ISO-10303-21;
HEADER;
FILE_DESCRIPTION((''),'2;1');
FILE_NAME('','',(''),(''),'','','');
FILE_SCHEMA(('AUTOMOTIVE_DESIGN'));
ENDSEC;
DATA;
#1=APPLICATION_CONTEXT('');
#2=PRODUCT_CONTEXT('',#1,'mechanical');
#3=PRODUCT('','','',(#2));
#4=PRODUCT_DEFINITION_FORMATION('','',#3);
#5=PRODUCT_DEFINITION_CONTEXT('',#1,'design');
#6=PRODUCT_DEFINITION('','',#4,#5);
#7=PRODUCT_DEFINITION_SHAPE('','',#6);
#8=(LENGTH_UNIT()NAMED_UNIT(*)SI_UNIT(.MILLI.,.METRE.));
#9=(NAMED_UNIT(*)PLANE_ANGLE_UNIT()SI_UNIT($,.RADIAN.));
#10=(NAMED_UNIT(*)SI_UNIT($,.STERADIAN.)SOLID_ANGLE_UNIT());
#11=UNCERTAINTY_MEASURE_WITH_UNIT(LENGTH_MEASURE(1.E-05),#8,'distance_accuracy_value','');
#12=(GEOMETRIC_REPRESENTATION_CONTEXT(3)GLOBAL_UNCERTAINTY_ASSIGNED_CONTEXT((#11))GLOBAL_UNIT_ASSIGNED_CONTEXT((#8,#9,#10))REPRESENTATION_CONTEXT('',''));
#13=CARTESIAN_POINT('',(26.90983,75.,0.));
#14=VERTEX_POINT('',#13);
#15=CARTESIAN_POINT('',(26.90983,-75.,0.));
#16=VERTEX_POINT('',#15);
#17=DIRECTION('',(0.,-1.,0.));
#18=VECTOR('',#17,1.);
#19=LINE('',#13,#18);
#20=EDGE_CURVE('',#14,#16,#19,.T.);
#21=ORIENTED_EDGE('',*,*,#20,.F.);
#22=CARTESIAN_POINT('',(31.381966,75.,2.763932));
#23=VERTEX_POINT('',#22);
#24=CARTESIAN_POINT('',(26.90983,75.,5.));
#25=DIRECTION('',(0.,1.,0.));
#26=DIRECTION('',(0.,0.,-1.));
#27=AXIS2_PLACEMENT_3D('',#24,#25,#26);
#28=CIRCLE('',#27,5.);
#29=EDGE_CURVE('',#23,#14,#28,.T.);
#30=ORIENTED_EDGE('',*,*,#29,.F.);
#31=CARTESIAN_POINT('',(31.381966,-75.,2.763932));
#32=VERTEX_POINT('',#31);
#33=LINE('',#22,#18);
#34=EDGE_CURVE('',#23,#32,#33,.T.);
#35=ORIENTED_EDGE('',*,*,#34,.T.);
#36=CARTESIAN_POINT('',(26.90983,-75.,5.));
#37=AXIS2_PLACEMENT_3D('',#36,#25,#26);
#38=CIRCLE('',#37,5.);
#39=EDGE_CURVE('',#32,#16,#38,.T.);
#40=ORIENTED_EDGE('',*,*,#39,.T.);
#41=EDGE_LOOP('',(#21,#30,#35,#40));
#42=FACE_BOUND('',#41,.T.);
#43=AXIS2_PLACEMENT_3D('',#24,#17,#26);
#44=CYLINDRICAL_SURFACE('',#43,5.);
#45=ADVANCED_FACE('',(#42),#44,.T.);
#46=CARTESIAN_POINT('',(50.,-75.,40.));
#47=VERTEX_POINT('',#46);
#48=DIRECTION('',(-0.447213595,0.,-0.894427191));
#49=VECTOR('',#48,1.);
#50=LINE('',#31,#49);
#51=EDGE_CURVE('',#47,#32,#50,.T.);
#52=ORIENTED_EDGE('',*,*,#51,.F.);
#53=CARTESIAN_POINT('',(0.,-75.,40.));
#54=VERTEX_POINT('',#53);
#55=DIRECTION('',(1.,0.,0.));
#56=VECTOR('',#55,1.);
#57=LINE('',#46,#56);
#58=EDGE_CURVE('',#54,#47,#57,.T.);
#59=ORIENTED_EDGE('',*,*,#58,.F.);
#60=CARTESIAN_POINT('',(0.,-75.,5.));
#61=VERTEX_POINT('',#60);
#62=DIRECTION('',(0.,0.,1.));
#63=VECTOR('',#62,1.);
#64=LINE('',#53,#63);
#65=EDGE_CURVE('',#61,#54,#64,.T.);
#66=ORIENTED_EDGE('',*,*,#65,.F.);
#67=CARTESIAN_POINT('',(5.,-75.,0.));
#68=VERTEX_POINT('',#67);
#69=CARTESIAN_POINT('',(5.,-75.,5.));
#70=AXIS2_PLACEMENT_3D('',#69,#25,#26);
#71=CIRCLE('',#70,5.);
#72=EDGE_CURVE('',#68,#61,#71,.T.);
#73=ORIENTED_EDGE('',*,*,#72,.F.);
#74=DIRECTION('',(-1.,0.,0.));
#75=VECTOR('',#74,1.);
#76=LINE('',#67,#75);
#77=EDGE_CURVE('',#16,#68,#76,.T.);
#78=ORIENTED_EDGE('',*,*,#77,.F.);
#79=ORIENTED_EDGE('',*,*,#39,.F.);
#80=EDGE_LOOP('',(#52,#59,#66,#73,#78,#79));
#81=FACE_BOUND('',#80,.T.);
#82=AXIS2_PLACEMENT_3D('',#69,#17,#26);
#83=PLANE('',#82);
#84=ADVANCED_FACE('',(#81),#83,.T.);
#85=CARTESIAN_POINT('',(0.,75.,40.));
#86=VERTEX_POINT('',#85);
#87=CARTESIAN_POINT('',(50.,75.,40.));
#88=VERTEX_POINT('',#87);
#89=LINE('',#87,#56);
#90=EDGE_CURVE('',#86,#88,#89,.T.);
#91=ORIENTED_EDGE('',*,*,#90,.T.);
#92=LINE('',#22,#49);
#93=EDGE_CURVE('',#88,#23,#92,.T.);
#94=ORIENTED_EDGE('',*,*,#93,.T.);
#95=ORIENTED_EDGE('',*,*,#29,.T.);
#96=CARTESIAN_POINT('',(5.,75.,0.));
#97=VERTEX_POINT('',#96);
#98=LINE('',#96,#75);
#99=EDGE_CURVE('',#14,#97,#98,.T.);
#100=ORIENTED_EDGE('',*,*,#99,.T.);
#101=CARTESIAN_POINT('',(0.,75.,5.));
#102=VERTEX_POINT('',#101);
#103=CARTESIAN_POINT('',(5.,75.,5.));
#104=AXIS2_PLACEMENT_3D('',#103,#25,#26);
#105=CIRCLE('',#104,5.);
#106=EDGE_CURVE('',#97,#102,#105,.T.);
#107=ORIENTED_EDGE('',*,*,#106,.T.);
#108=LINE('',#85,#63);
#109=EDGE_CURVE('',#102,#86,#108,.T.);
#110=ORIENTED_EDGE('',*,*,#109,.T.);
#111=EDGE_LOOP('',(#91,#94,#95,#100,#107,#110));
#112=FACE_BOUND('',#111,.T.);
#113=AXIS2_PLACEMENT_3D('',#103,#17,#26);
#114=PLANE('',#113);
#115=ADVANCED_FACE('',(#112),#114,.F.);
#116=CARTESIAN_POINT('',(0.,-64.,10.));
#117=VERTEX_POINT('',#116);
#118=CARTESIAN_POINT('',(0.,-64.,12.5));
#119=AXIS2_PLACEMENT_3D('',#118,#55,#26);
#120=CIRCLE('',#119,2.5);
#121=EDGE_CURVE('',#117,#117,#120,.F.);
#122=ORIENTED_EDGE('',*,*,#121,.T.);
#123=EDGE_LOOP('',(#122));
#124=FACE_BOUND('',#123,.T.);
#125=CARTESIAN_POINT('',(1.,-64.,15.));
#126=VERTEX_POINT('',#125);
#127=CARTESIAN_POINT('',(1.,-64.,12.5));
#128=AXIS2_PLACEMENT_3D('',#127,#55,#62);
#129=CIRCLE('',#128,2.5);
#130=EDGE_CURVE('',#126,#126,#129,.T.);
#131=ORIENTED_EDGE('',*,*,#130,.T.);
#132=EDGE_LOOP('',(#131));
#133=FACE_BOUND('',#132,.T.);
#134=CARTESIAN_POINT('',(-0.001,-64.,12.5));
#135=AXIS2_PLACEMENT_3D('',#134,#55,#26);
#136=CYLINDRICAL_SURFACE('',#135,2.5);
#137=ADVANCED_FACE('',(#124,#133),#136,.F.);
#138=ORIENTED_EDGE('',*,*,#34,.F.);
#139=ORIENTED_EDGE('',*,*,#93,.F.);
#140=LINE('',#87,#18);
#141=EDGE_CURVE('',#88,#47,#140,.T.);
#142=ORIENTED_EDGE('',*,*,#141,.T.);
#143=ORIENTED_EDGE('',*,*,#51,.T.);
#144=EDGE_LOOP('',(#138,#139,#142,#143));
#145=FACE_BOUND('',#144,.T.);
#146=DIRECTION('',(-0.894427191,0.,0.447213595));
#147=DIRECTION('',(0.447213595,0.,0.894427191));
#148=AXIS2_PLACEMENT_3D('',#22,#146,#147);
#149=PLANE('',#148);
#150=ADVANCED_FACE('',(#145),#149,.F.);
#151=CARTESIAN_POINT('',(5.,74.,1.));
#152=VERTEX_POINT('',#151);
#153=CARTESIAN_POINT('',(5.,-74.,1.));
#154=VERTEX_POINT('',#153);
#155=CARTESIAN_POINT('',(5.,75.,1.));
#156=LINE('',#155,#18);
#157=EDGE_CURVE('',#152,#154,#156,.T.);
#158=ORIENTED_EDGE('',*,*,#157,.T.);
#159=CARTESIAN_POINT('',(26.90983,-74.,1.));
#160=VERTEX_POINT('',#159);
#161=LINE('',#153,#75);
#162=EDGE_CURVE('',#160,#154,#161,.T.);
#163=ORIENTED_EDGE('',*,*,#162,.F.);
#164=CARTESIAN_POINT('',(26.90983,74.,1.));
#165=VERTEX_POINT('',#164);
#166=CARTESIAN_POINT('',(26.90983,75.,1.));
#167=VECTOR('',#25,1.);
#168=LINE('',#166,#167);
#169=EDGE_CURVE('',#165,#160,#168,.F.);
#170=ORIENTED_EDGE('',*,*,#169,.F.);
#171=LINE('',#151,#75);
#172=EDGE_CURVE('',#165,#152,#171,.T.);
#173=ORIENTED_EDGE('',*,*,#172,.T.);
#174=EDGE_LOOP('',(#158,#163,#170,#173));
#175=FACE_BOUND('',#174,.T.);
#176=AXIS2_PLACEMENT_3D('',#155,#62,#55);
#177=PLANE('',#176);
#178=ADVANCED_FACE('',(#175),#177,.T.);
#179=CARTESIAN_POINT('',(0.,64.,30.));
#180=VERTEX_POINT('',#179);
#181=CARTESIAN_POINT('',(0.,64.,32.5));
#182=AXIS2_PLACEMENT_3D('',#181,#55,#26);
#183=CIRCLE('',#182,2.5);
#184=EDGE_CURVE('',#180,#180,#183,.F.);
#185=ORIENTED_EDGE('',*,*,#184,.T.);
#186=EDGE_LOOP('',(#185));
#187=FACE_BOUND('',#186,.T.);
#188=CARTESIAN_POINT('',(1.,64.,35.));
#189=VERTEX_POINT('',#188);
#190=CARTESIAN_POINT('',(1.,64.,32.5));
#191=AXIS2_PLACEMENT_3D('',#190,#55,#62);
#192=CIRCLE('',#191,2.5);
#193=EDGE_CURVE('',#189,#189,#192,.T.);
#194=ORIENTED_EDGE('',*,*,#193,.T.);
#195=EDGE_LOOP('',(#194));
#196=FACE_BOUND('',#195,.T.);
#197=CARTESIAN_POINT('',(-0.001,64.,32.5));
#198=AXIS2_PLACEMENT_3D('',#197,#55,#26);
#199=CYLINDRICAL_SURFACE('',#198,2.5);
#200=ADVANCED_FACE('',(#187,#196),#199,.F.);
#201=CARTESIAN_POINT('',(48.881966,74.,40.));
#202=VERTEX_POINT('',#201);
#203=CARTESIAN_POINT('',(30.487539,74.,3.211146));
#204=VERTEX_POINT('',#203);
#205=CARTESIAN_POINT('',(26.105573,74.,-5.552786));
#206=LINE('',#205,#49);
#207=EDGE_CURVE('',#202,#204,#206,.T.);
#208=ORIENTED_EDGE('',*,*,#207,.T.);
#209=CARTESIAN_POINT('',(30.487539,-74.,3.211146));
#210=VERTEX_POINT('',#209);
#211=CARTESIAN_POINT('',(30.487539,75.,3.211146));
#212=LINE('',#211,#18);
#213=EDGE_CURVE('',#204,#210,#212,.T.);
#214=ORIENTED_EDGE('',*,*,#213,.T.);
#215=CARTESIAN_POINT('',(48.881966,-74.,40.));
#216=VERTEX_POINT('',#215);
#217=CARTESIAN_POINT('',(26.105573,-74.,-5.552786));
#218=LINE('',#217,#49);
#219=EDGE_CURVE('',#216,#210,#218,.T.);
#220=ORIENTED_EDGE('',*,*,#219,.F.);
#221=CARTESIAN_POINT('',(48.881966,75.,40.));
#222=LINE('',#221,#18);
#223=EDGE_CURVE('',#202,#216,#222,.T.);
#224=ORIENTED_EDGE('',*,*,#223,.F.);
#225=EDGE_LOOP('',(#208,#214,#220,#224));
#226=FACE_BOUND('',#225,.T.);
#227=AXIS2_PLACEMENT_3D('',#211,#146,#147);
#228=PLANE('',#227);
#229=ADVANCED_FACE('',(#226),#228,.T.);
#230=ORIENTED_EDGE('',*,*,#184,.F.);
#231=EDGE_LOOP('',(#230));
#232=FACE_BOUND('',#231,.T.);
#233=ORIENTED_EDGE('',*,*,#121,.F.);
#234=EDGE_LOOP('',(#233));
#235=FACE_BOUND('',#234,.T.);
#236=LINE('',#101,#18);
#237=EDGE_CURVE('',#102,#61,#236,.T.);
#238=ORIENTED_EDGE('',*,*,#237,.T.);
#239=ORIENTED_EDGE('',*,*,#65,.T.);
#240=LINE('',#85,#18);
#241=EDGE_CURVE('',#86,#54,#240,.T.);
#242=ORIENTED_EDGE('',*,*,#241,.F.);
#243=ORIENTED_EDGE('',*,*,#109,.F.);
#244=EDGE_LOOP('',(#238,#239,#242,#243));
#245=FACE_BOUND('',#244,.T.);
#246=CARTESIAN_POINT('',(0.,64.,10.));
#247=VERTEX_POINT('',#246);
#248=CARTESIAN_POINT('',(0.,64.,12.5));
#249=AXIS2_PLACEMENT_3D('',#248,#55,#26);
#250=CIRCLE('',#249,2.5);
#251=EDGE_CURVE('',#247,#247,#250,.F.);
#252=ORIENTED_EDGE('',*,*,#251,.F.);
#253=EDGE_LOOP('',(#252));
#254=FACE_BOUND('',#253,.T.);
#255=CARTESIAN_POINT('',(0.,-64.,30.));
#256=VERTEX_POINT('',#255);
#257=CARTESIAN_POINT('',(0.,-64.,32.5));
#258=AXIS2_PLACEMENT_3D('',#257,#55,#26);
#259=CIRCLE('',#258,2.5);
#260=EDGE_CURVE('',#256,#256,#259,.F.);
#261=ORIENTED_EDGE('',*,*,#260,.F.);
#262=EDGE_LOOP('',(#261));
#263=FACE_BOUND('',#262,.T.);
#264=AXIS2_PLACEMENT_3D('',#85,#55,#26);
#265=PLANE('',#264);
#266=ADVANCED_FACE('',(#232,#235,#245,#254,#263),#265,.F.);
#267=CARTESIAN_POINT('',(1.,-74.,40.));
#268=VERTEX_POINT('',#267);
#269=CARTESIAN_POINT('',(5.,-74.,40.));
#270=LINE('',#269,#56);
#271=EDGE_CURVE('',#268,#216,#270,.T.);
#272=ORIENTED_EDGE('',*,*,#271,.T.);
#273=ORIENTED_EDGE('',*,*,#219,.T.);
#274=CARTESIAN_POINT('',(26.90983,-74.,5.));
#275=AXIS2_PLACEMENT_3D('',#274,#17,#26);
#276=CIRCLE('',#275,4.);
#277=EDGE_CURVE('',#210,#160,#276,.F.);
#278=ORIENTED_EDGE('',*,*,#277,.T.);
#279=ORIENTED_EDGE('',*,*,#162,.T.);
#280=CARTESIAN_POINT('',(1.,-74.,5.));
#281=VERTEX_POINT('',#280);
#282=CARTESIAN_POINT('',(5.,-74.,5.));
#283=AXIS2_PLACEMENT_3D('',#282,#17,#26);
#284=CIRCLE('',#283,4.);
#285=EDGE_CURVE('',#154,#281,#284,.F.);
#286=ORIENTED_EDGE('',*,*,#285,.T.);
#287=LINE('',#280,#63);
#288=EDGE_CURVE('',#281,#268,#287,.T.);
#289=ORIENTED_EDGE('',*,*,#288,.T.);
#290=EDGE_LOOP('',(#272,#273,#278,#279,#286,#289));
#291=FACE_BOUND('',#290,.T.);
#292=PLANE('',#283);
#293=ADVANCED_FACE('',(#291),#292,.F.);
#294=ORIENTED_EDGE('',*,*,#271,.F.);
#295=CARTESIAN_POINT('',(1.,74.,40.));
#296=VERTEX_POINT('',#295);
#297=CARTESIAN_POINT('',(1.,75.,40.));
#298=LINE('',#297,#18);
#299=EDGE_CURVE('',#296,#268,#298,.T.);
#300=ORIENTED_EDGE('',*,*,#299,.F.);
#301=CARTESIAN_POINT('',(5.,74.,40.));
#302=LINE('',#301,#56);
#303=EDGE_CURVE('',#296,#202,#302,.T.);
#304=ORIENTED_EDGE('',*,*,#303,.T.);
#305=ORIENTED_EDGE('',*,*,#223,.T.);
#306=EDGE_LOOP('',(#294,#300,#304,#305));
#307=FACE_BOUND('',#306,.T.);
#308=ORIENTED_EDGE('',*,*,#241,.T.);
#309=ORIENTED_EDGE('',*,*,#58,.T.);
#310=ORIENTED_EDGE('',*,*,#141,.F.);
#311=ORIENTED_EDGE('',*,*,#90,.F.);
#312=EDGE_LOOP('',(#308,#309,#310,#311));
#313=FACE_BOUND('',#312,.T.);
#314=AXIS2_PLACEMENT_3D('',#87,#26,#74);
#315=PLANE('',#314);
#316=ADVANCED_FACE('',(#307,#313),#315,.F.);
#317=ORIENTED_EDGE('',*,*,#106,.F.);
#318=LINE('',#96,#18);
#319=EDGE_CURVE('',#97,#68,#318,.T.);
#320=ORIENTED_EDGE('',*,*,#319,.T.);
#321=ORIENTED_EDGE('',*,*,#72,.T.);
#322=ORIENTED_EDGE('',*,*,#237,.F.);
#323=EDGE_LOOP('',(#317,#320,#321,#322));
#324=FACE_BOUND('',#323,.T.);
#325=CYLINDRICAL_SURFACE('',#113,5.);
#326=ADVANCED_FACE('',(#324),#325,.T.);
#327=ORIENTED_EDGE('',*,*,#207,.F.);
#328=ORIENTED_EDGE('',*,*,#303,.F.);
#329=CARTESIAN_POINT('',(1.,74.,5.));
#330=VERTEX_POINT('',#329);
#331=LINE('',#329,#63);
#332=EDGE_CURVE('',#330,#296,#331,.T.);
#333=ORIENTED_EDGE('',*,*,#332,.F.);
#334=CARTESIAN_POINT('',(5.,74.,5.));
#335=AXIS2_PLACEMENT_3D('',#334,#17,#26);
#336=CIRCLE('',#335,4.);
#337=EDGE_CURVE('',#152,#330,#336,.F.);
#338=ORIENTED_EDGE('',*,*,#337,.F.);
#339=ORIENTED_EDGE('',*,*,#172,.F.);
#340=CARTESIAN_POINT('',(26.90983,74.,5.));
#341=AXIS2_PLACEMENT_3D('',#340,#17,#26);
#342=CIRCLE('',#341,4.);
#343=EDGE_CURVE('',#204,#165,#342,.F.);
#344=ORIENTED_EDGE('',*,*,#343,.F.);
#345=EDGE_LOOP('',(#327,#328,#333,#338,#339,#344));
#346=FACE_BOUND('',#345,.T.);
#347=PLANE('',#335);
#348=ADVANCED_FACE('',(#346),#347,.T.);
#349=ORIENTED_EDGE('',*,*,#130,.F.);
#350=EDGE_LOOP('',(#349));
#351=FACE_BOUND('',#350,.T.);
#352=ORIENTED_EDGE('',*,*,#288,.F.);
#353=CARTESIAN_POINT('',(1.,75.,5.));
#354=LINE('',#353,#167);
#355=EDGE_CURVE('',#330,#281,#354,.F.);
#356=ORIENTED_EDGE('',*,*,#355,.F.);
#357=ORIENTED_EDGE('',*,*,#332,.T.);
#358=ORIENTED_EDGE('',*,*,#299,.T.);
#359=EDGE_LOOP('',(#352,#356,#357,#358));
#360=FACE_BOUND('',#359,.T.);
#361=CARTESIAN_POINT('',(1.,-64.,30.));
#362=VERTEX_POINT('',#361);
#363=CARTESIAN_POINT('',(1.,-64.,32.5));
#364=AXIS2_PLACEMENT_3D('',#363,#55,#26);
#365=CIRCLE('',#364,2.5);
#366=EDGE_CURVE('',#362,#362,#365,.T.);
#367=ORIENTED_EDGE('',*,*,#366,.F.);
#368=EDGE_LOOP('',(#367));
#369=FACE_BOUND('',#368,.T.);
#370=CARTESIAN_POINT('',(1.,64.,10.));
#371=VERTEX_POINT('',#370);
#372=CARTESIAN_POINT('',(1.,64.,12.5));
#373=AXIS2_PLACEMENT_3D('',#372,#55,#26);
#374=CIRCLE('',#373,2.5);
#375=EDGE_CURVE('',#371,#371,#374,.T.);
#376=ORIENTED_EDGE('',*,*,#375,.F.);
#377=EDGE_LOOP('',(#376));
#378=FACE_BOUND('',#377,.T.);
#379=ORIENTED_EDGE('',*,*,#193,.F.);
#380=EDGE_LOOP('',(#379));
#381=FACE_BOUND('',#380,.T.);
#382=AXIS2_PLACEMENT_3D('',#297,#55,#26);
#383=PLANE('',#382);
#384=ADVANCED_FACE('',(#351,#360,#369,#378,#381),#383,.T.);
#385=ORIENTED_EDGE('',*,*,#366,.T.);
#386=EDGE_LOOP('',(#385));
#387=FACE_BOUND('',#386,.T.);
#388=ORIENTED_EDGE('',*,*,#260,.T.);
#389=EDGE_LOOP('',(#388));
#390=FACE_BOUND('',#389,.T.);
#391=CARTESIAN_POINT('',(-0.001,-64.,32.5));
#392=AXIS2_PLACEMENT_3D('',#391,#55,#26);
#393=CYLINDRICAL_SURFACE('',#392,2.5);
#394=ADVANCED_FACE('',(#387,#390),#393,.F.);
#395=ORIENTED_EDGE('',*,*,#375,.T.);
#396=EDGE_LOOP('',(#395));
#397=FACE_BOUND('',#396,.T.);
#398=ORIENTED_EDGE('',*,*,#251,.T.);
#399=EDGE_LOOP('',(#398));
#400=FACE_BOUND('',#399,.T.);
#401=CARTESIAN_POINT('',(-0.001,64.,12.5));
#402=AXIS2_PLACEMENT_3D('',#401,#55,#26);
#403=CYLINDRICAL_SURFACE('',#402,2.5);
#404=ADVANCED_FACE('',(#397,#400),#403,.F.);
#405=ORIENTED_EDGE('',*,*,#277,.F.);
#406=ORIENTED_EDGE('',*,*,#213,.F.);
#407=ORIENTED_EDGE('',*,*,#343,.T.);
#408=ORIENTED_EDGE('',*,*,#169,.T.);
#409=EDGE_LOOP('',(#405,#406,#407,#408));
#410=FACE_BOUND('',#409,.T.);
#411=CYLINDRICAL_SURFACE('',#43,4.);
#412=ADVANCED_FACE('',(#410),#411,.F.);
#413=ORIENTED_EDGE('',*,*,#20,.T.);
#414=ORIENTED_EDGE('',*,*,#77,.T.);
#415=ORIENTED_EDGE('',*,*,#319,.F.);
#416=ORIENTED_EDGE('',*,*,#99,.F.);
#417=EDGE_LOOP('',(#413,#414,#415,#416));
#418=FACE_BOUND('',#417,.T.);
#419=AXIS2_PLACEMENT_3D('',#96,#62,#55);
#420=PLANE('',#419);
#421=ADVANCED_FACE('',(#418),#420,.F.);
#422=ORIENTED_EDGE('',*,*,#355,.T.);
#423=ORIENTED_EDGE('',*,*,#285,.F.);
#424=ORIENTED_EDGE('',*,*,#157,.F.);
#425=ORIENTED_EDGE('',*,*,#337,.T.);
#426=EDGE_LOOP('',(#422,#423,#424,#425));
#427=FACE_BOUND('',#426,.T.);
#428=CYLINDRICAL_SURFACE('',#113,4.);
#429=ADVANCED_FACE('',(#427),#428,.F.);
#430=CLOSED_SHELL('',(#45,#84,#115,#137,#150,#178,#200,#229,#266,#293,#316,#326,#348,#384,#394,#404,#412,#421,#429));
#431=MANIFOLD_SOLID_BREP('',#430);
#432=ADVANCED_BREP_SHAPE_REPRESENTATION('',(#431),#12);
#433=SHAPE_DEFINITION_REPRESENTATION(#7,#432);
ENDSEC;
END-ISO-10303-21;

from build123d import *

# Parameters (mm, degrees)
BOSS_EXTRUDE1_DEPTH = 75
SHELL1_T            = -1
CUT_EXTRUDE1_REACH  = 100.112
SKETCH3_R           = 2.5


with BuildPart() as part:
    # Sketch2 → Boss-Extrude1 (new, symmetric)
    with BuildSketch(Plane(origin=(0, 0, 0), x_dir=(-1, 0, 0), z_dir=(0, 1, 0))):
        with BuildLine():
            Line((0, 40), (0, 5))
            ThreePointArc((0, 5), (-1.464466094, 1.464466094), (-5, 0))
            Line((-5, 0), (-26.909830056, 0))
            ThreePointArc((-26.909830056, 0), (-29.538485617, 0.746745958), (-31.381966011, 2.763932023))
            Line((-31.381966011, 2.763932023), (-50, 40))
            Line((-50, 40), (0, 40))
        make_face()
    extrude(amount=BOSS_EXTRUDE1_DEPTH, both=True)

    # Shell1
    shell1_openings = [part.faces().sort_by_distance(p)[0] for p in [
        (25, 0, 40),
    ]]
    offset(amount=SHELL1_T, openings=shell1_openings, kind=Kind.INTERSECTION)

    # Sketch3 → Cut-Extrude1 (cut, up to next)
    with BuildSketch(Plane.YZ.offset(1), mode=Mode.PRIVATE) as cut_extrude1_sk1:
        with Locations(Location((-64, 32.5, 0), (0, 0, 270))):
            Circle(SKETCH3_R)
    cut_extrude1_tool1 = extrude(cut_extrude1_sk1.sketch, amount=-CUT_EXTRUDE1_REACH, mode=Mode.PRIVATE) & part.part
    # Sketch3 → Cut-Extrude1 (cut, up to next)
    with BuildSketch(Plane.YZ.offset(1), mode=Mode.PRIVATE) as cut_extrude1_sk2:
        with Locations(Location((-64, 12.5, 0), (0, 0, 270))):
            Circle(SKETCH3_R)
    cut_extrude1_tool2 = extrude(cut_extrude1_sk2.sketch, amount=-CUT_EXTRUDE1_REACH, mode=Mode.PRIVATE) & part.part
    # Sketch3 → Cut-Extrude1 (cut, up to next)
    with BuildSketch(Plane.YZ.offset(1), mode=Mode.PRIVATE) as cut_extrude1_sk3:
        with Locations(Location((64, 12.5, 0), (0, 0, 270))):
            Circle(SKETCH3_R)
    cut_extrude1_tool3 = extrude(cut_extrude1_sk3.sketch, amount=-CUT_EXTRUDE1_REACH, mode=Mode.PRIVATE) & part.part
    # Sketch3 → Cut-Extrude1 (cut, up to next)
    with BuildSketch(Plane.YZ.offset(1), mode=Mode.PRIVATE) as cut_extrude1_sk4:
        with Locations(Location((64, 32.5, 0), (0, 0, 270))):
            Circle(SKETCH3_R)
    cut_extrude1_tool4 = extrude(cut_extrude1_sk4.sketch, amount=-CUT_EXTRUDE1_REACH, mode=Mode.PRIVATE) & part.part
    add(cut_extrude1_tool1.solids().sort_by_distance((1, -64, 32.5))[0], mode=Mode.SUBTRACT)
    add(cut_extrude1_tool2.solids().sort_by_distance((1, -64, 12.5))[0], mode=Mode.SUBTRACT)
    add(cut_extrude1_tool3.solids().sort_by_distance((1, 64, 12.5))[0], mode=Mode.SUBTRACT)
    add(cut_extrude1_tool4.solids().sort_by_distance((1, 64, 32.5))[0], mode=Mode.SUBTRACT)


solid = part.part
